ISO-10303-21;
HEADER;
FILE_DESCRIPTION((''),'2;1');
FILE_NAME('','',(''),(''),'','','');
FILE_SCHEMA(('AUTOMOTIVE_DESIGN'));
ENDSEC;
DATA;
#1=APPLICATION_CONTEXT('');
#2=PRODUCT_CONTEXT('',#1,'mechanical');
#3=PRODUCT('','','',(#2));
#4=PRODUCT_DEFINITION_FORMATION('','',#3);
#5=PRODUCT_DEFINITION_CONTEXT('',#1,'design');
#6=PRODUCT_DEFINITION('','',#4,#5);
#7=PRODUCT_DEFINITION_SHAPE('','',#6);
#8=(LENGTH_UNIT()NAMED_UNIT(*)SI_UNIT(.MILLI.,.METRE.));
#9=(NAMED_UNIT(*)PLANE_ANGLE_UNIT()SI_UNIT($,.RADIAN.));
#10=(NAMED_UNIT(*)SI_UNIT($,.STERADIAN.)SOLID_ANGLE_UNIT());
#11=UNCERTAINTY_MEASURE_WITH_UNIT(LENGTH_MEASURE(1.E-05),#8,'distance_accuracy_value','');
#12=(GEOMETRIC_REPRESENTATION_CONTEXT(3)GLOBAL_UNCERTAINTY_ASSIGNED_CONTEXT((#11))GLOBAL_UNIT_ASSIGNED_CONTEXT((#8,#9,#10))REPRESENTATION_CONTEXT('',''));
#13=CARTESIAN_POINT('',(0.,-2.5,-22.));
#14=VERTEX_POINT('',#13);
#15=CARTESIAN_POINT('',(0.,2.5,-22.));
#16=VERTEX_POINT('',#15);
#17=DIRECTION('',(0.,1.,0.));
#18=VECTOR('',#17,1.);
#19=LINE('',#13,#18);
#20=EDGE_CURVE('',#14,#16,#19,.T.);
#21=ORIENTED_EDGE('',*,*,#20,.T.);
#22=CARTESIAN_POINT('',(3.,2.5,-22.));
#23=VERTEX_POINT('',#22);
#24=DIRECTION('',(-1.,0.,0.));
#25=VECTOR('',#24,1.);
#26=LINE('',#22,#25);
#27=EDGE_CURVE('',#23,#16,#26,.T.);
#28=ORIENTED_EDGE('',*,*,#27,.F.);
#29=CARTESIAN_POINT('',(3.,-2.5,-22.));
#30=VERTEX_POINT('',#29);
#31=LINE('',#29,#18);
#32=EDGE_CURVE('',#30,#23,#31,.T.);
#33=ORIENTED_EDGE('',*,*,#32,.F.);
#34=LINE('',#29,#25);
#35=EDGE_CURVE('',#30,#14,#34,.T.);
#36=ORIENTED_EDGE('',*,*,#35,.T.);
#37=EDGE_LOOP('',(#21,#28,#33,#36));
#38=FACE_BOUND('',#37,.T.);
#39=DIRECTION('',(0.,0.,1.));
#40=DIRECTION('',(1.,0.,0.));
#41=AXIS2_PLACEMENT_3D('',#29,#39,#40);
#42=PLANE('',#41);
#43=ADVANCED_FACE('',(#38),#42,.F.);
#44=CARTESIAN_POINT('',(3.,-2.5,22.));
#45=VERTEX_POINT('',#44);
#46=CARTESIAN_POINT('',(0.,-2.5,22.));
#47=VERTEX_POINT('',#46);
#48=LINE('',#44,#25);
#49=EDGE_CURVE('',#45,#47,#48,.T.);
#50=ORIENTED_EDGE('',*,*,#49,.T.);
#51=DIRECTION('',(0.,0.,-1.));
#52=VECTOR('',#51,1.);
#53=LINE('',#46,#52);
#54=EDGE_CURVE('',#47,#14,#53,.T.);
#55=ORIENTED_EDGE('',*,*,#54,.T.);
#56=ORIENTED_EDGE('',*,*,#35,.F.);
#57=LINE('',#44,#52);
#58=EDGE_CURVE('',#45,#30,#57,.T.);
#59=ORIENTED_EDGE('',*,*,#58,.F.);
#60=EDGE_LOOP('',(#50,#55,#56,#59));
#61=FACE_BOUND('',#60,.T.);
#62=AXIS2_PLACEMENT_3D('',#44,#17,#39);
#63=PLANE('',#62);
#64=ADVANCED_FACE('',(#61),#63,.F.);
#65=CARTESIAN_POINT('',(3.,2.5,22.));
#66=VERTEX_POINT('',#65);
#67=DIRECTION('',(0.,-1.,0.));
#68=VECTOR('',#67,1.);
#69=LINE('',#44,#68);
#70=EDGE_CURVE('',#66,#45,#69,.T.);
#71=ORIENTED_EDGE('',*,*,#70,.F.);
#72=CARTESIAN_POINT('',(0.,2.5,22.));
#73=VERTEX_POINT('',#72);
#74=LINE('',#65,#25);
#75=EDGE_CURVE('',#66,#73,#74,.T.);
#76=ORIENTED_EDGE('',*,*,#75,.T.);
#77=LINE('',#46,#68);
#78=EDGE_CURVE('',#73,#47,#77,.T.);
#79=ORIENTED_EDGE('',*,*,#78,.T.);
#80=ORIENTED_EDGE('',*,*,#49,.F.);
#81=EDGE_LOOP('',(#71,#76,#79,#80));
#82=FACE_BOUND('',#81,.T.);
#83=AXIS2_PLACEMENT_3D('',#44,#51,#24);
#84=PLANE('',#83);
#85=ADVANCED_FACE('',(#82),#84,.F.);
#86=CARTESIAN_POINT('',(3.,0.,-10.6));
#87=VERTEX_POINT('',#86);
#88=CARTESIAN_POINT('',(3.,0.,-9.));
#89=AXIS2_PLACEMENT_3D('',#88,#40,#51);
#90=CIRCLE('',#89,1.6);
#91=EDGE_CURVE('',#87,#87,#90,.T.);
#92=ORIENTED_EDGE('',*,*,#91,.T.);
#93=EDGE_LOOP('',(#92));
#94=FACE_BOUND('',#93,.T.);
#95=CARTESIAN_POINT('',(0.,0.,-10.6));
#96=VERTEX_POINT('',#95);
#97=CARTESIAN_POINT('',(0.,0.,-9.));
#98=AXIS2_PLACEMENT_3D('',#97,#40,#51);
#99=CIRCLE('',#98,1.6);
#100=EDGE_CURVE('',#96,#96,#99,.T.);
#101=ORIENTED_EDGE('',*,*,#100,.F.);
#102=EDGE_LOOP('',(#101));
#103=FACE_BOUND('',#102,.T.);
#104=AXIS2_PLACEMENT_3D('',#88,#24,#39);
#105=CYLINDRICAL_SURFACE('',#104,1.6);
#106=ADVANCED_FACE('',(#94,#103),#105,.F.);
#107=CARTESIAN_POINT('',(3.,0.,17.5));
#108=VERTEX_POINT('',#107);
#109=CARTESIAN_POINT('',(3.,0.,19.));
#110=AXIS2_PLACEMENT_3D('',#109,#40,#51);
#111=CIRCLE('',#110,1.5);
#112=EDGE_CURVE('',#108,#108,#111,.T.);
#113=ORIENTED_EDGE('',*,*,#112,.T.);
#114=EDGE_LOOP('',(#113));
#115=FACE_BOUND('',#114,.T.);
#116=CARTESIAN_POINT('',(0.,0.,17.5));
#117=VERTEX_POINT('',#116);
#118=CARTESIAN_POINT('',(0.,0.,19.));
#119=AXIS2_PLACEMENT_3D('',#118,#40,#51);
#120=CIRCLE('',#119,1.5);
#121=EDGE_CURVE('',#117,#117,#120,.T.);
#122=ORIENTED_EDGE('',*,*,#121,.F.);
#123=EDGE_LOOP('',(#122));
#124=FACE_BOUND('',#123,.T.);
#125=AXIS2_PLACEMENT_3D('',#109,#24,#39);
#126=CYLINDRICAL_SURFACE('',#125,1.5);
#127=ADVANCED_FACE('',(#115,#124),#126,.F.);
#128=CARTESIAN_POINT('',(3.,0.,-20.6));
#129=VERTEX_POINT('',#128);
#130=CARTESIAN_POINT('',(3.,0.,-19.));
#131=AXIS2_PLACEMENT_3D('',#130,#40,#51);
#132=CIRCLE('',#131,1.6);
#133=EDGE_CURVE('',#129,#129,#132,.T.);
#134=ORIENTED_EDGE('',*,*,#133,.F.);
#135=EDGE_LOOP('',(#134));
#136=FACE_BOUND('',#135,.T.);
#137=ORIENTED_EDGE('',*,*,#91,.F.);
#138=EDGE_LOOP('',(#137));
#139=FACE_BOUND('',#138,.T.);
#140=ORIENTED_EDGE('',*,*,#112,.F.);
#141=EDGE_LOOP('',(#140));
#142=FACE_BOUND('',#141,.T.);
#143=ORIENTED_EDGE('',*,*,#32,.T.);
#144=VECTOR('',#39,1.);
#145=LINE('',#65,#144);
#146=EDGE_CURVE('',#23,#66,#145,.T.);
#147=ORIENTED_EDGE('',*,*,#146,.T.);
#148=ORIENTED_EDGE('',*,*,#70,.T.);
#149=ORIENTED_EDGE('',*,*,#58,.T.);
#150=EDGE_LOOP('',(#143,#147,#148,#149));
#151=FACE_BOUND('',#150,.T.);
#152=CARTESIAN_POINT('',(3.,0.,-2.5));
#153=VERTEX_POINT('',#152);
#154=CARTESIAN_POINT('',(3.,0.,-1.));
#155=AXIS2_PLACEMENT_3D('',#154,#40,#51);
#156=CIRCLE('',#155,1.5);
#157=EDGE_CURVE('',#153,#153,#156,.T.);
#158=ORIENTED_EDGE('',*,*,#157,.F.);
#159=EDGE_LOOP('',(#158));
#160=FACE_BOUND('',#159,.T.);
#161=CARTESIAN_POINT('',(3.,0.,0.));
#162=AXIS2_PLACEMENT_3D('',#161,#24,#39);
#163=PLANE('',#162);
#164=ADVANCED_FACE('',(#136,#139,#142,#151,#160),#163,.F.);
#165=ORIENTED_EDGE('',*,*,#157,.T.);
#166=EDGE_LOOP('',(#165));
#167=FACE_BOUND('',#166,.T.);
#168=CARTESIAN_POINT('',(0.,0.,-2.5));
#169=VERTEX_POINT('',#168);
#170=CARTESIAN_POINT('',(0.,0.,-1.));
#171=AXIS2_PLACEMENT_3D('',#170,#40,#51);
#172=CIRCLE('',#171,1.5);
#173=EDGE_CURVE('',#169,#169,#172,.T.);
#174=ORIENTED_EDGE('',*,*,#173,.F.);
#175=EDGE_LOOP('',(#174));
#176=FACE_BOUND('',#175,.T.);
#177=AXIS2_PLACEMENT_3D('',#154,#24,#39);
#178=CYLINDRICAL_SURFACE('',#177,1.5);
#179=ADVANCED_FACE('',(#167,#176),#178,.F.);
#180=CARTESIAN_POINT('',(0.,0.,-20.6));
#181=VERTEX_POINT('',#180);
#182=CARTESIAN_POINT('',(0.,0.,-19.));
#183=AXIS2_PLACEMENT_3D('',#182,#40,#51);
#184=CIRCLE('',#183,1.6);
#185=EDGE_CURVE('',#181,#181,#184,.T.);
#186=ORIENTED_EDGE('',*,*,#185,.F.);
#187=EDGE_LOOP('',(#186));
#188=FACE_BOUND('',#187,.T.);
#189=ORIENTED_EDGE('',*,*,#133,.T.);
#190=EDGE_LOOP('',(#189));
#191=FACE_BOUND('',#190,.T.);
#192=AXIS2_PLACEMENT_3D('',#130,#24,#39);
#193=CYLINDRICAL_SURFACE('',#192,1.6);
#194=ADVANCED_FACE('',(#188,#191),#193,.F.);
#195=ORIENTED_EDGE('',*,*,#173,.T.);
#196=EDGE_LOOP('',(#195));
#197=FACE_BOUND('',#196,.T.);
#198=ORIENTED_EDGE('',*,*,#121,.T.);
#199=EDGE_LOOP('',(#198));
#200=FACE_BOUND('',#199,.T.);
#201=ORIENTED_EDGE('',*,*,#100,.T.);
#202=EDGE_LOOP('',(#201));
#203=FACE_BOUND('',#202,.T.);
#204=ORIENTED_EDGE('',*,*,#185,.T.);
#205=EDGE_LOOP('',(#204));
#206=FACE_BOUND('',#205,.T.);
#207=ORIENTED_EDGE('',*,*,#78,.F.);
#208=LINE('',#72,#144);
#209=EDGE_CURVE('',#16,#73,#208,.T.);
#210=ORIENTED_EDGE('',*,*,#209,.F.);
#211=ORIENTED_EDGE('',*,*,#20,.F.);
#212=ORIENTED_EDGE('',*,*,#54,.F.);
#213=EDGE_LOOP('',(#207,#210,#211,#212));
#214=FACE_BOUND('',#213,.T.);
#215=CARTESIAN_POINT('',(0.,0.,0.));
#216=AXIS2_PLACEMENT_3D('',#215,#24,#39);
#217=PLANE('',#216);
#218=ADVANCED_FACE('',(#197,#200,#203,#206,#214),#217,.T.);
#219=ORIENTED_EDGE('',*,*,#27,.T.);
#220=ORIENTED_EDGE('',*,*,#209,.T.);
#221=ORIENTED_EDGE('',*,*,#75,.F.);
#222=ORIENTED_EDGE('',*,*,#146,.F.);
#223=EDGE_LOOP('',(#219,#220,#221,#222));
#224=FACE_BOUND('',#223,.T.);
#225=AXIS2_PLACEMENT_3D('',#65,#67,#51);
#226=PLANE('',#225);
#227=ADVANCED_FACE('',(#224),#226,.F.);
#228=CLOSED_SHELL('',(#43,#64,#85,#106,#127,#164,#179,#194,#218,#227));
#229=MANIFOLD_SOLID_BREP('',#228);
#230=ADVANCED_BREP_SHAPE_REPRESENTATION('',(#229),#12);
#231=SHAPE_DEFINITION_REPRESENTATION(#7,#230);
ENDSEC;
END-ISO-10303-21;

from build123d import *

# Parameters (mm, degrees)
SKETCH2_W           = 44
SKETCH2_H           = 5
SKETCH2_R           = 1.6
SKETCH2_R_2         = 1.5
BOSS_EXTRUDE1_DEPTH = 3


with BuildPart() as part:
    # Sketch2 → Boss-Extrude1 (new body)
    with BuildSketch(Plane(origin=(0, 0, 0), x_dir=(0, 0, -1), z_dir=(1, 0, 0))):
        Rectangle(SKETCH2_W, SKETCH2_H)
        with Locations((19, 0)):
            Circle(SKETCH2_R, mode=Mode.SUBTRACT)
        with Locations((9, 0)):
            Circle(SKETCH2_R, mode=Mode.SUBTRACT)
        with Locations((1, 0)):
            Circle(SKETCH2_R_2, mode=Mode.SUBTRACT)
        with Locations((-19, 0)):
            Circle(SKETCH2_R_2, mode=Mode.SUBTRACT)
    extrude(amount=BOSS_EXTRUDE1_DEPTH)


solid = part.part
